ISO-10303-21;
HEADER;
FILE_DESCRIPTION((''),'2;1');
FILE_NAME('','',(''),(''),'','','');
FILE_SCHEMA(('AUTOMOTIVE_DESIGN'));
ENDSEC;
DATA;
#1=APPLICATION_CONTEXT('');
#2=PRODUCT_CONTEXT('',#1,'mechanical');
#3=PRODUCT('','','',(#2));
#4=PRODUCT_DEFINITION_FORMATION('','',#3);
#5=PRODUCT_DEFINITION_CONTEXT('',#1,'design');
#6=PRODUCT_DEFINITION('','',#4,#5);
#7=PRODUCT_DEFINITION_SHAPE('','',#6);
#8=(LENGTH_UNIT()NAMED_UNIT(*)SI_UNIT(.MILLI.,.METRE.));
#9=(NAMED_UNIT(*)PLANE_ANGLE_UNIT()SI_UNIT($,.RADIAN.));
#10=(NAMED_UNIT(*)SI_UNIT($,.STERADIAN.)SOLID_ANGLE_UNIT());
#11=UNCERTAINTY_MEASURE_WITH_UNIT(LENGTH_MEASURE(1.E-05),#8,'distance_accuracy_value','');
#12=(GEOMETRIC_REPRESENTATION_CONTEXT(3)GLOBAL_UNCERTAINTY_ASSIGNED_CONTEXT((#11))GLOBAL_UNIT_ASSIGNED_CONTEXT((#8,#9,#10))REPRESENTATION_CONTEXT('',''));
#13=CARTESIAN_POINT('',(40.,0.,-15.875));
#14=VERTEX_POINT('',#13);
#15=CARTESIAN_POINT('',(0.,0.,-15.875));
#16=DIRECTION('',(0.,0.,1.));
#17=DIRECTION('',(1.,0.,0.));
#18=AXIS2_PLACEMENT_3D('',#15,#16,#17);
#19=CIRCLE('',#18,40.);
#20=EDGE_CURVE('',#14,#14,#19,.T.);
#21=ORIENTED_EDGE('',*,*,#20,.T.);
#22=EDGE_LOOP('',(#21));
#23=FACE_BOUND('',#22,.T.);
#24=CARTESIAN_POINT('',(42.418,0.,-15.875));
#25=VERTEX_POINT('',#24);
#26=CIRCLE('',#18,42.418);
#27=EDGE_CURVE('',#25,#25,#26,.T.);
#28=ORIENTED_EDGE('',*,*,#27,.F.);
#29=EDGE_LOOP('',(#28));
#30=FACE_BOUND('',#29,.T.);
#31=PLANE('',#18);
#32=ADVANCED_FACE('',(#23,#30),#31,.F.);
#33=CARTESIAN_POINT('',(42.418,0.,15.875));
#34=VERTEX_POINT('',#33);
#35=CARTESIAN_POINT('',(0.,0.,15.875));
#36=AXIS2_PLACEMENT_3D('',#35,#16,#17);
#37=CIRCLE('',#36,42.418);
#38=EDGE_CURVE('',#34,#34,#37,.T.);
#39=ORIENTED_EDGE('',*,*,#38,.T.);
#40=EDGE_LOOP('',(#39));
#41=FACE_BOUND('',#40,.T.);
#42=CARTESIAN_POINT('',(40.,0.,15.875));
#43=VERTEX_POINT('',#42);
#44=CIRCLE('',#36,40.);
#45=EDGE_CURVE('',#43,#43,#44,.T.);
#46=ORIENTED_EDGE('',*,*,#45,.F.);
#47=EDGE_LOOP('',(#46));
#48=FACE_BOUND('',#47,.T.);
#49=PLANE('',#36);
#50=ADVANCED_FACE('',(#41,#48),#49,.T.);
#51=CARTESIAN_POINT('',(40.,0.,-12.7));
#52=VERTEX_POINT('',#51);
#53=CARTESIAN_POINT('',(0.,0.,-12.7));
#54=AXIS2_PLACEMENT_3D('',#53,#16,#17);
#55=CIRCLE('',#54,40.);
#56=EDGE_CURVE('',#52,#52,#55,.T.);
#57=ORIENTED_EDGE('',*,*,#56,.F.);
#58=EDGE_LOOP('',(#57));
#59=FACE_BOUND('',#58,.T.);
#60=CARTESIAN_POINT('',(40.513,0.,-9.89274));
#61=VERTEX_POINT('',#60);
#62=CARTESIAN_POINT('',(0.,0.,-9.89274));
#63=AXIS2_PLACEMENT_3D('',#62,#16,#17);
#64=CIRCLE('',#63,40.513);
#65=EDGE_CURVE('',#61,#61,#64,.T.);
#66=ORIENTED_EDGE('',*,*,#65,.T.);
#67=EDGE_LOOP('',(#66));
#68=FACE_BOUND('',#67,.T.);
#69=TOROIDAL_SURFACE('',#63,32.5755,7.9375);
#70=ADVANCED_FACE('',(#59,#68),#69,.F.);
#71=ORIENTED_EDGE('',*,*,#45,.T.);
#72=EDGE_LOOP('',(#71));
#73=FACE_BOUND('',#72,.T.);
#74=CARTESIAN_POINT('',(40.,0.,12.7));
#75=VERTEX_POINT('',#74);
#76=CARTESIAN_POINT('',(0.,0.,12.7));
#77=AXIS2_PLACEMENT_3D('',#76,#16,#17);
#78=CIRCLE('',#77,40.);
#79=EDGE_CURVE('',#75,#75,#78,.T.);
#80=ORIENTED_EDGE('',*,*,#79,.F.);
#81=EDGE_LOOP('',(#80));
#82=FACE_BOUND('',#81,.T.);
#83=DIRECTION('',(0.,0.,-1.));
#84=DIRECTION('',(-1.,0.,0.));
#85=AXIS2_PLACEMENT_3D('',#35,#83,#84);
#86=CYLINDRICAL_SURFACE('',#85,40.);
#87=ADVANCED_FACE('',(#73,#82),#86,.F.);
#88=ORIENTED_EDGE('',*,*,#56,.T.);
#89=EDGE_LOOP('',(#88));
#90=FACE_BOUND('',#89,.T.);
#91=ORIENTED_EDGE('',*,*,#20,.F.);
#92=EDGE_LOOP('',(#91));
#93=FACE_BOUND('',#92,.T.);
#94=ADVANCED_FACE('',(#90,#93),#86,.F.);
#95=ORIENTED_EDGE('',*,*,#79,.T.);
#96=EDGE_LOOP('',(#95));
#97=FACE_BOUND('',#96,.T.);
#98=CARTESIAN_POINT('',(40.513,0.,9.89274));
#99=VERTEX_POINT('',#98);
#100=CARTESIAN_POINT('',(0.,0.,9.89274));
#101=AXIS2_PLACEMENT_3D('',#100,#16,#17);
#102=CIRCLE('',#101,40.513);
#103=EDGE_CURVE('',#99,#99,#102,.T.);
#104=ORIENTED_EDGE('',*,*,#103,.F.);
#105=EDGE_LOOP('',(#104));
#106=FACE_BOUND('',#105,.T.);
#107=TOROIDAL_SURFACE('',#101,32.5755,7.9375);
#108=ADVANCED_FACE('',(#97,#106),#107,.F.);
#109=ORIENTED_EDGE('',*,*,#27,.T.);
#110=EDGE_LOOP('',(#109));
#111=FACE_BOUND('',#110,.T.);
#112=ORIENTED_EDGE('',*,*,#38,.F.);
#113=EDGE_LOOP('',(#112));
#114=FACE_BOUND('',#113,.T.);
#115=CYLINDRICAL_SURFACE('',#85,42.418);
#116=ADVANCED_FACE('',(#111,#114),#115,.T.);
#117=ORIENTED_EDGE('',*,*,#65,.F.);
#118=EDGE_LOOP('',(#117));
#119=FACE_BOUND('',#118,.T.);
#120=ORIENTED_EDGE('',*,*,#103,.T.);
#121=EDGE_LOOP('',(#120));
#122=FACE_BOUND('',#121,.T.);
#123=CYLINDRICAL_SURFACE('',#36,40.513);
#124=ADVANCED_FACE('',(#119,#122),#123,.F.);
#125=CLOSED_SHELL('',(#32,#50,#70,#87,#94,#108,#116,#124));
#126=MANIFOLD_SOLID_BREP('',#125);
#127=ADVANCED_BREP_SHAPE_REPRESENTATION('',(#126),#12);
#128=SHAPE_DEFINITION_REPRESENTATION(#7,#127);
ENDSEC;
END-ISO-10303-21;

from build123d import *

# Parameters (mm, degrees)
SKETCH1_R      = 42.418
SKETCH1_R_2    = 40
EXTRUDE1_DEPTH = 15.875


with BuildPart() as part:
    # Sketch1 → Extrude1 (new body, symmetric)
    with BuildSketch(Plane.XY):
        Circle(SKETCH1_R)
        Circle(SKETCH1_R_2, mode=Mode.SUBTRACT)
    extrude(amount=EXTRUDE1_DEPTH, both=True)

    # Sketch2 → Cut-Revolve1 (revolve, cut)
    with BuildSketch(Plane(origin=(0, 0, 0), x_dir=(0, 0, -1), z_dir=(1, 0, 0))):
        with BuildLine():
            Line((-9.892740482, 40.513), (9.892740482, 40.513))
            ThreePointArc((9.892740482, 40.513), (11.31961425, 40.383696815), (12.7, 40))
            Line((12.7, 40), (15.875, 40))
            Line((15.875, 40), (15.875, 0))
            Line((15.875, 0), (-15.875, 0))
            Line((-15.875, 0), (-15.875, 40))
            Line((-15.875, 40), (-12.7, 40))
            ThreePointArc((-12.7, 40), (-11.31961425, 40.383696815), (-9.892740482, 40.513))
        make_face()
    revolve(axis=Axis((0, 0, 15.875), (0, 0, -1)), mode=Mode.SUBTRACT)


solid = part.part
